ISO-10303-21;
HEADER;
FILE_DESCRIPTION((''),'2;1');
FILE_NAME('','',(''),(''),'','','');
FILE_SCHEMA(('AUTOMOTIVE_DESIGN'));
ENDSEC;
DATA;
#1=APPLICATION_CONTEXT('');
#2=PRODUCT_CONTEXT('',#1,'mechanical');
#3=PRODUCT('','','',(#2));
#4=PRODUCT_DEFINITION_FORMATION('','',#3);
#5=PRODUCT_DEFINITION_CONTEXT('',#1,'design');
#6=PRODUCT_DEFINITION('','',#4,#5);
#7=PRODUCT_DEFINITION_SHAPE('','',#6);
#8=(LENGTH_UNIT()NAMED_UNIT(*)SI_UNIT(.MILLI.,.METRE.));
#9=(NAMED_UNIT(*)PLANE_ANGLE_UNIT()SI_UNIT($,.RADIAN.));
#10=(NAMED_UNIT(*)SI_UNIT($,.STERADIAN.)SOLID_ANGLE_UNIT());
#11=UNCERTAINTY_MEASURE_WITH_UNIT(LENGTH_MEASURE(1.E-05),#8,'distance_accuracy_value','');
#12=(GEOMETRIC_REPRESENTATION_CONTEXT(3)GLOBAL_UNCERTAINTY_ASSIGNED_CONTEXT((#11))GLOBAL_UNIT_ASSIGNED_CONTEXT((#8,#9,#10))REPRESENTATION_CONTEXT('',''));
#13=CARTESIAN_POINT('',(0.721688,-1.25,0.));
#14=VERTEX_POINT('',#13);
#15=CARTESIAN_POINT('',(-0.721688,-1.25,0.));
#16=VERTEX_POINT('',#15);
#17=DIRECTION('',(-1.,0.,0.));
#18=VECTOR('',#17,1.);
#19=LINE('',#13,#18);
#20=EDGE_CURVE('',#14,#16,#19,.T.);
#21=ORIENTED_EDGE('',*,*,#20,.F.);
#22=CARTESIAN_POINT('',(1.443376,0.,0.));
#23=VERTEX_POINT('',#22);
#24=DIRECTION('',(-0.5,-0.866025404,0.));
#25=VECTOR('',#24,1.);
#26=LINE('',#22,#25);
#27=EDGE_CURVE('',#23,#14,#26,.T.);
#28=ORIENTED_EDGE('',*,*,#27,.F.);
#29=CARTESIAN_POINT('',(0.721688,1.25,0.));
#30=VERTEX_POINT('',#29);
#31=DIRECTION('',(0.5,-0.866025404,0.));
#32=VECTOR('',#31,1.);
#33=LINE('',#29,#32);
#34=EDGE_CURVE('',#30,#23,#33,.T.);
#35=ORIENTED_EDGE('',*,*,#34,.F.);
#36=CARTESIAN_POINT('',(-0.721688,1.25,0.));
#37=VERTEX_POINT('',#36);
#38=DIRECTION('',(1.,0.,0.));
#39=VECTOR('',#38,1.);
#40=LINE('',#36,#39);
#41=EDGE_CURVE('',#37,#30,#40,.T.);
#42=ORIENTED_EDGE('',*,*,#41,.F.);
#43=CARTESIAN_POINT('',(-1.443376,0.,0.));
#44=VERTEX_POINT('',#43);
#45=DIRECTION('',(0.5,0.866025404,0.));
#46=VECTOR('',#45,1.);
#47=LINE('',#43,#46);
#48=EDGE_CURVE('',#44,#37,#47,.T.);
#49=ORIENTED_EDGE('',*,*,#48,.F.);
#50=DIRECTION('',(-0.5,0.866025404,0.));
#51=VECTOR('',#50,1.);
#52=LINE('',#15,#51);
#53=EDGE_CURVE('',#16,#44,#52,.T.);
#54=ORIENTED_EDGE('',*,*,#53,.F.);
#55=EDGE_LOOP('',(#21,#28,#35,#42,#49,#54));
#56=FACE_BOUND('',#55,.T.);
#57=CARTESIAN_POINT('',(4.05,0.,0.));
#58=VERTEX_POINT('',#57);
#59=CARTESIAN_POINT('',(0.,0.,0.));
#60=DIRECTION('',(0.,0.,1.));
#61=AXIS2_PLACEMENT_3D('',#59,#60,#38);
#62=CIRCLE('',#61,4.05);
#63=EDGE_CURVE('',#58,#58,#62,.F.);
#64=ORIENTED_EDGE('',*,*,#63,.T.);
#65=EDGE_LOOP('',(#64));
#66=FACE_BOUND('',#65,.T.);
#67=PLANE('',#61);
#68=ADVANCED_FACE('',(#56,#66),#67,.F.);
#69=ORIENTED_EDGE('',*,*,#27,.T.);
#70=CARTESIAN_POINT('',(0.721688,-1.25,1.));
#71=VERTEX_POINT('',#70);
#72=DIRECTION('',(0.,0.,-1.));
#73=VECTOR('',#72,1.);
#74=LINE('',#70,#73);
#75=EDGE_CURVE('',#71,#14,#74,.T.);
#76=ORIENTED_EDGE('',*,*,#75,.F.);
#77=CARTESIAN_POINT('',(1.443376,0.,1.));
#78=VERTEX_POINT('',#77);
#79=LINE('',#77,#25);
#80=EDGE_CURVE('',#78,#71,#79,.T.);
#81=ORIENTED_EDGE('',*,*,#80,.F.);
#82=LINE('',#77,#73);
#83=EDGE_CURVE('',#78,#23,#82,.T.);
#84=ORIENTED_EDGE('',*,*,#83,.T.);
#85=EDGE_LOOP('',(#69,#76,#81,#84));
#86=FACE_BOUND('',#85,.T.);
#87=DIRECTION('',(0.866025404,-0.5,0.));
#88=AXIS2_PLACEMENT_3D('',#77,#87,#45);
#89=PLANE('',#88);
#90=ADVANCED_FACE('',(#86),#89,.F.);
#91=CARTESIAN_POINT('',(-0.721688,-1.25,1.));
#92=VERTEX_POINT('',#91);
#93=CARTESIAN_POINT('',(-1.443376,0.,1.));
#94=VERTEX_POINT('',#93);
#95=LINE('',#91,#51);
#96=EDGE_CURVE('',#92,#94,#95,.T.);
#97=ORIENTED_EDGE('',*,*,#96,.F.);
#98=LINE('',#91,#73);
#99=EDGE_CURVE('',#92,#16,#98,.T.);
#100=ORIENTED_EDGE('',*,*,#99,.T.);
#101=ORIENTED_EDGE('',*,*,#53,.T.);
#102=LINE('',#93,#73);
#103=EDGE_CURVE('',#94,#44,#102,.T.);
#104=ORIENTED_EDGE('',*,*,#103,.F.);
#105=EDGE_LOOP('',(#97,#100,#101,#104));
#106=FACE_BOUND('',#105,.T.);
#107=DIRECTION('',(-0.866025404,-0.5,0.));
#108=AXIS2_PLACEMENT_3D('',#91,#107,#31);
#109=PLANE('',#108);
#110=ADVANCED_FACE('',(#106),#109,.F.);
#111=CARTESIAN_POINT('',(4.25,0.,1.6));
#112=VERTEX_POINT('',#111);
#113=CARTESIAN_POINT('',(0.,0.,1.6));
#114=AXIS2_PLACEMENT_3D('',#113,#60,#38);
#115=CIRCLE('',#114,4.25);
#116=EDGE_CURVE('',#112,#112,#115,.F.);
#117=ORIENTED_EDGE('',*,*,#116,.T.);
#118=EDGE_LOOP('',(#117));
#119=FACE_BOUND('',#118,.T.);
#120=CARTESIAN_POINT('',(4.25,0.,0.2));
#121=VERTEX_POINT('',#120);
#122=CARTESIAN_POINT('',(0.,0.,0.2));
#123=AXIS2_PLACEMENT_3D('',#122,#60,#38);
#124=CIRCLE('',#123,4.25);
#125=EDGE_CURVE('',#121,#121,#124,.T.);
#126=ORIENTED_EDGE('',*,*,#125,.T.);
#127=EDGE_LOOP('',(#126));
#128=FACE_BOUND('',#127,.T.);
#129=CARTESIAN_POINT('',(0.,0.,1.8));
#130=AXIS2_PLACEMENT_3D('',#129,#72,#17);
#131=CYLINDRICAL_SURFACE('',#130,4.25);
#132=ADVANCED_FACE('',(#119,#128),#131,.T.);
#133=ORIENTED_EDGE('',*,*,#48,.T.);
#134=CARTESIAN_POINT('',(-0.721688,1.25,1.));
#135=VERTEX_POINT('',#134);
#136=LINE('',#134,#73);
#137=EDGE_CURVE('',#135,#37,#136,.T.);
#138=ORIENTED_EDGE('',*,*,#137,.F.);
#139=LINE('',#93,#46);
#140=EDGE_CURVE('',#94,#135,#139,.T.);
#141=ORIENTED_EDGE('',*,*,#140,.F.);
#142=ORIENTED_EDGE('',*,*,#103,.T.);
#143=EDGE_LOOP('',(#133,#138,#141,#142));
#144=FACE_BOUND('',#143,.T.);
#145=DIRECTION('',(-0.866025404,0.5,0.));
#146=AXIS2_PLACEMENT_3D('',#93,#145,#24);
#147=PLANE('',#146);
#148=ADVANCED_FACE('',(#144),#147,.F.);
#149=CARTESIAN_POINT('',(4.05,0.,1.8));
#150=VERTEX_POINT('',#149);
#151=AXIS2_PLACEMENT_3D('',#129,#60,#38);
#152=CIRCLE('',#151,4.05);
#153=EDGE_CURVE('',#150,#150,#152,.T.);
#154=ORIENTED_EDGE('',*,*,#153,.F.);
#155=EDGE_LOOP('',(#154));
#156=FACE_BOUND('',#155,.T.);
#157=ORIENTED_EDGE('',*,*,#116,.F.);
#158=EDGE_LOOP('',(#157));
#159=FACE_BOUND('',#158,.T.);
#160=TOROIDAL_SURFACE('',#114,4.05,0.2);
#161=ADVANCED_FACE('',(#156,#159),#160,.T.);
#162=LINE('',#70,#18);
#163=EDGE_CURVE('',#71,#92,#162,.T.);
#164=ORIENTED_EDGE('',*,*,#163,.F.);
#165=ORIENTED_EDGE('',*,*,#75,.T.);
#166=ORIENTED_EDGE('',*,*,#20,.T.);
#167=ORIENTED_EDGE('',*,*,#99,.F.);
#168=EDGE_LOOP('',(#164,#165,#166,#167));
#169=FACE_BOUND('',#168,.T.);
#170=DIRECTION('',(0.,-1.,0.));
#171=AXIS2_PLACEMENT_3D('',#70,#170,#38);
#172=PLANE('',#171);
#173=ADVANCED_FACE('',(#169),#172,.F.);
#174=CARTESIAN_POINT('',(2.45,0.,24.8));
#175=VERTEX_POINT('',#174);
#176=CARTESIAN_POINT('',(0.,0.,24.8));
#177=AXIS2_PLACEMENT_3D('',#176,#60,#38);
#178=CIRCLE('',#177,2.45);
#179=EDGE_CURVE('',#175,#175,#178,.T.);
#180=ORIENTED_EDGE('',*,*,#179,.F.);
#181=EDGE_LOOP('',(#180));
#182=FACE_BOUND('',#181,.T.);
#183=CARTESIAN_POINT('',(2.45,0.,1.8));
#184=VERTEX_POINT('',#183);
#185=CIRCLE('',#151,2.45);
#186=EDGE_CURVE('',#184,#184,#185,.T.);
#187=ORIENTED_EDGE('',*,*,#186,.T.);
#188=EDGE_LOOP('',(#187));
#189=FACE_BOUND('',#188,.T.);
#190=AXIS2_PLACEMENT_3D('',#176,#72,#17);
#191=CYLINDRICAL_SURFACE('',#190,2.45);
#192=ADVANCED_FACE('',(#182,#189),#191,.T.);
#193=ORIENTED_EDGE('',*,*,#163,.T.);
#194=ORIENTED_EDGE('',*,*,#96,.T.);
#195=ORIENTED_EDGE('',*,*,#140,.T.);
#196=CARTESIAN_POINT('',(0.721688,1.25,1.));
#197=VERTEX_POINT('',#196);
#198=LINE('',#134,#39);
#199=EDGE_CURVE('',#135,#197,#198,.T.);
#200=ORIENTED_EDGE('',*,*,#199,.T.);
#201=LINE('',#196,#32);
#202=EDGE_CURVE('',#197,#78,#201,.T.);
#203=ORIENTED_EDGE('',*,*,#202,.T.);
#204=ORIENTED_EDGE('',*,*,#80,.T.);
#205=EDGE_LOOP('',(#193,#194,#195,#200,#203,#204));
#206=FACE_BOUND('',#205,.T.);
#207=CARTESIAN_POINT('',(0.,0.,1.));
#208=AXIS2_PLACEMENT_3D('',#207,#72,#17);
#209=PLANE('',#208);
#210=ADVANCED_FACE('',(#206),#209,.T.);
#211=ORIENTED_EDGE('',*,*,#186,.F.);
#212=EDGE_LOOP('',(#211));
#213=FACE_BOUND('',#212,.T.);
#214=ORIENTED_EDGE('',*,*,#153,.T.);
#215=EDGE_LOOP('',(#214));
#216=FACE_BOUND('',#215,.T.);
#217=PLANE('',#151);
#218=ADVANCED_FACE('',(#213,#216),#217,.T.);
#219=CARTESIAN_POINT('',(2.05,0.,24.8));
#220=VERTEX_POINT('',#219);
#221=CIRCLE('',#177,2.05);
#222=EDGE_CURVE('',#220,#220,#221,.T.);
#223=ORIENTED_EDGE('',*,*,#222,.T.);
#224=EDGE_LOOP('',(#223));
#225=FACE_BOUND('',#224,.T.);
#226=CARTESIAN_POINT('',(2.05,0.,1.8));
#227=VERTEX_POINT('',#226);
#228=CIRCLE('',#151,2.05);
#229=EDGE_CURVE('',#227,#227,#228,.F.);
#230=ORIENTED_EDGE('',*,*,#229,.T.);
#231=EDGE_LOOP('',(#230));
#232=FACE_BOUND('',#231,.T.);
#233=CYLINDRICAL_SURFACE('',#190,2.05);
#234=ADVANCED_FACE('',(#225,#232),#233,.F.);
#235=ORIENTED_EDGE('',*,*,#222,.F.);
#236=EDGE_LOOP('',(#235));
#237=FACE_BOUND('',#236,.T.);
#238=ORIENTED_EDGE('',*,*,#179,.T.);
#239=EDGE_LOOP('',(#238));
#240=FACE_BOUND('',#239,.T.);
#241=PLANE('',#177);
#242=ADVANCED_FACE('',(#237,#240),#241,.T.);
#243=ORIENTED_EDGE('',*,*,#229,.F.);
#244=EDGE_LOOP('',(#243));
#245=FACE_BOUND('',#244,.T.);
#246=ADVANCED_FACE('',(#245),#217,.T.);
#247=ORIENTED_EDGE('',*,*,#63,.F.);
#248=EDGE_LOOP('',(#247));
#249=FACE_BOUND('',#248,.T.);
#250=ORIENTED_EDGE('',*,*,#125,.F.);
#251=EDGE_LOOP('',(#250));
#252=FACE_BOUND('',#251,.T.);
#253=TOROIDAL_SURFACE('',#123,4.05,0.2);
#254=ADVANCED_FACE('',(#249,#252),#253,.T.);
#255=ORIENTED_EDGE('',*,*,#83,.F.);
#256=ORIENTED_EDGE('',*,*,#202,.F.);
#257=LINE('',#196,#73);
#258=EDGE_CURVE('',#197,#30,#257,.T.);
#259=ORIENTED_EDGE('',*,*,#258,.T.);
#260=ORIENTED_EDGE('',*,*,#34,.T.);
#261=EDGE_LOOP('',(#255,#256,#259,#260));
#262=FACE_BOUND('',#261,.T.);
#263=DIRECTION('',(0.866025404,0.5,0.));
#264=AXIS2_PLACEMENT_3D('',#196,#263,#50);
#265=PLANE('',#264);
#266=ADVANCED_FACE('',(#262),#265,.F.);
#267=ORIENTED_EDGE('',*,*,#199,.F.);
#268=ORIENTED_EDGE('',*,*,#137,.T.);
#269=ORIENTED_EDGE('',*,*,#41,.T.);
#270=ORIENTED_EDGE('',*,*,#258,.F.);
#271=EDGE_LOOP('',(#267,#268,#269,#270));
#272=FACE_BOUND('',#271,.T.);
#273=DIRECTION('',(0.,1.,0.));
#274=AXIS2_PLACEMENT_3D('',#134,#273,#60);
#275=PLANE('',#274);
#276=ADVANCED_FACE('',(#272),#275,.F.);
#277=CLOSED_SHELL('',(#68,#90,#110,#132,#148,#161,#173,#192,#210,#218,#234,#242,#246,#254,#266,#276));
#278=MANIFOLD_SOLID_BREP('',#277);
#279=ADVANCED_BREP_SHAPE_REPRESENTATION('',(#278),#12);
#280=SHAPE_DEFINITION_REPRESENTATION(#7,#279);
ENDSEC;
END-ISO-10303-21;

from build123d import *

# Parameters (mm, degrees)
SKETCH_1_R          = 4.25
EXTRUDE_1_DEPTH     = 1.8
SKETCH_2_R          = 2.45
SKETCH_2_R_2        = 2.05
EXTRUDE_2_DEPTH     = 23
FILLET_1_R          = 0.2
CUT_EXTRUDE_1_DEPTH = 1


with BuildPart() as part:
    # 草图1 → 凸台-拉伸1 (new body)
    with BuildSketch(Plane.XY):
        Circle(SKETCH_1_R)
    extrude(amount=EXTRUDE_1_DEPTH)

    # 草图2 → 凸台-拉伸2 (add)
    with BuildSketch(Plane.XY.offset(1.8)):
        Circle(SKETCH_2_R)
        Circle(SKETCH_2_R_2, mode=Mode.SUBTRACT)
    extrude(amount=EXTRUDE_2_DEPTH)

    # 圆角1
    fillet_1_edges = [part.edges().sort_by_distance(p)[0] for p in [
        (-4.25, 0, 0),
        (-4.25, 0, 1.8),
    ]]
    fillet(fillet_1_edges, radius=FILLET_1_R)

    # 草图3 → 切除-拉伸1 (cut)
    with BuildSketch(Plane(origin=(0, 0, 0), x_dir=(-1, 0, 0), z_dir=(0, 0, -1))):
        Polygon((1.443375673, 0), (0.721687836, 1.25), (-0.721687836, 1.25), (-1.443375673, 0), (-0.721687836, -1.25), (0.721687836, -1.25), align=None)
    extrude(amount=-CUT_EXTRUDE_1_DEPTH, mode=Mode.SUBTRACT)


solid = part.part
